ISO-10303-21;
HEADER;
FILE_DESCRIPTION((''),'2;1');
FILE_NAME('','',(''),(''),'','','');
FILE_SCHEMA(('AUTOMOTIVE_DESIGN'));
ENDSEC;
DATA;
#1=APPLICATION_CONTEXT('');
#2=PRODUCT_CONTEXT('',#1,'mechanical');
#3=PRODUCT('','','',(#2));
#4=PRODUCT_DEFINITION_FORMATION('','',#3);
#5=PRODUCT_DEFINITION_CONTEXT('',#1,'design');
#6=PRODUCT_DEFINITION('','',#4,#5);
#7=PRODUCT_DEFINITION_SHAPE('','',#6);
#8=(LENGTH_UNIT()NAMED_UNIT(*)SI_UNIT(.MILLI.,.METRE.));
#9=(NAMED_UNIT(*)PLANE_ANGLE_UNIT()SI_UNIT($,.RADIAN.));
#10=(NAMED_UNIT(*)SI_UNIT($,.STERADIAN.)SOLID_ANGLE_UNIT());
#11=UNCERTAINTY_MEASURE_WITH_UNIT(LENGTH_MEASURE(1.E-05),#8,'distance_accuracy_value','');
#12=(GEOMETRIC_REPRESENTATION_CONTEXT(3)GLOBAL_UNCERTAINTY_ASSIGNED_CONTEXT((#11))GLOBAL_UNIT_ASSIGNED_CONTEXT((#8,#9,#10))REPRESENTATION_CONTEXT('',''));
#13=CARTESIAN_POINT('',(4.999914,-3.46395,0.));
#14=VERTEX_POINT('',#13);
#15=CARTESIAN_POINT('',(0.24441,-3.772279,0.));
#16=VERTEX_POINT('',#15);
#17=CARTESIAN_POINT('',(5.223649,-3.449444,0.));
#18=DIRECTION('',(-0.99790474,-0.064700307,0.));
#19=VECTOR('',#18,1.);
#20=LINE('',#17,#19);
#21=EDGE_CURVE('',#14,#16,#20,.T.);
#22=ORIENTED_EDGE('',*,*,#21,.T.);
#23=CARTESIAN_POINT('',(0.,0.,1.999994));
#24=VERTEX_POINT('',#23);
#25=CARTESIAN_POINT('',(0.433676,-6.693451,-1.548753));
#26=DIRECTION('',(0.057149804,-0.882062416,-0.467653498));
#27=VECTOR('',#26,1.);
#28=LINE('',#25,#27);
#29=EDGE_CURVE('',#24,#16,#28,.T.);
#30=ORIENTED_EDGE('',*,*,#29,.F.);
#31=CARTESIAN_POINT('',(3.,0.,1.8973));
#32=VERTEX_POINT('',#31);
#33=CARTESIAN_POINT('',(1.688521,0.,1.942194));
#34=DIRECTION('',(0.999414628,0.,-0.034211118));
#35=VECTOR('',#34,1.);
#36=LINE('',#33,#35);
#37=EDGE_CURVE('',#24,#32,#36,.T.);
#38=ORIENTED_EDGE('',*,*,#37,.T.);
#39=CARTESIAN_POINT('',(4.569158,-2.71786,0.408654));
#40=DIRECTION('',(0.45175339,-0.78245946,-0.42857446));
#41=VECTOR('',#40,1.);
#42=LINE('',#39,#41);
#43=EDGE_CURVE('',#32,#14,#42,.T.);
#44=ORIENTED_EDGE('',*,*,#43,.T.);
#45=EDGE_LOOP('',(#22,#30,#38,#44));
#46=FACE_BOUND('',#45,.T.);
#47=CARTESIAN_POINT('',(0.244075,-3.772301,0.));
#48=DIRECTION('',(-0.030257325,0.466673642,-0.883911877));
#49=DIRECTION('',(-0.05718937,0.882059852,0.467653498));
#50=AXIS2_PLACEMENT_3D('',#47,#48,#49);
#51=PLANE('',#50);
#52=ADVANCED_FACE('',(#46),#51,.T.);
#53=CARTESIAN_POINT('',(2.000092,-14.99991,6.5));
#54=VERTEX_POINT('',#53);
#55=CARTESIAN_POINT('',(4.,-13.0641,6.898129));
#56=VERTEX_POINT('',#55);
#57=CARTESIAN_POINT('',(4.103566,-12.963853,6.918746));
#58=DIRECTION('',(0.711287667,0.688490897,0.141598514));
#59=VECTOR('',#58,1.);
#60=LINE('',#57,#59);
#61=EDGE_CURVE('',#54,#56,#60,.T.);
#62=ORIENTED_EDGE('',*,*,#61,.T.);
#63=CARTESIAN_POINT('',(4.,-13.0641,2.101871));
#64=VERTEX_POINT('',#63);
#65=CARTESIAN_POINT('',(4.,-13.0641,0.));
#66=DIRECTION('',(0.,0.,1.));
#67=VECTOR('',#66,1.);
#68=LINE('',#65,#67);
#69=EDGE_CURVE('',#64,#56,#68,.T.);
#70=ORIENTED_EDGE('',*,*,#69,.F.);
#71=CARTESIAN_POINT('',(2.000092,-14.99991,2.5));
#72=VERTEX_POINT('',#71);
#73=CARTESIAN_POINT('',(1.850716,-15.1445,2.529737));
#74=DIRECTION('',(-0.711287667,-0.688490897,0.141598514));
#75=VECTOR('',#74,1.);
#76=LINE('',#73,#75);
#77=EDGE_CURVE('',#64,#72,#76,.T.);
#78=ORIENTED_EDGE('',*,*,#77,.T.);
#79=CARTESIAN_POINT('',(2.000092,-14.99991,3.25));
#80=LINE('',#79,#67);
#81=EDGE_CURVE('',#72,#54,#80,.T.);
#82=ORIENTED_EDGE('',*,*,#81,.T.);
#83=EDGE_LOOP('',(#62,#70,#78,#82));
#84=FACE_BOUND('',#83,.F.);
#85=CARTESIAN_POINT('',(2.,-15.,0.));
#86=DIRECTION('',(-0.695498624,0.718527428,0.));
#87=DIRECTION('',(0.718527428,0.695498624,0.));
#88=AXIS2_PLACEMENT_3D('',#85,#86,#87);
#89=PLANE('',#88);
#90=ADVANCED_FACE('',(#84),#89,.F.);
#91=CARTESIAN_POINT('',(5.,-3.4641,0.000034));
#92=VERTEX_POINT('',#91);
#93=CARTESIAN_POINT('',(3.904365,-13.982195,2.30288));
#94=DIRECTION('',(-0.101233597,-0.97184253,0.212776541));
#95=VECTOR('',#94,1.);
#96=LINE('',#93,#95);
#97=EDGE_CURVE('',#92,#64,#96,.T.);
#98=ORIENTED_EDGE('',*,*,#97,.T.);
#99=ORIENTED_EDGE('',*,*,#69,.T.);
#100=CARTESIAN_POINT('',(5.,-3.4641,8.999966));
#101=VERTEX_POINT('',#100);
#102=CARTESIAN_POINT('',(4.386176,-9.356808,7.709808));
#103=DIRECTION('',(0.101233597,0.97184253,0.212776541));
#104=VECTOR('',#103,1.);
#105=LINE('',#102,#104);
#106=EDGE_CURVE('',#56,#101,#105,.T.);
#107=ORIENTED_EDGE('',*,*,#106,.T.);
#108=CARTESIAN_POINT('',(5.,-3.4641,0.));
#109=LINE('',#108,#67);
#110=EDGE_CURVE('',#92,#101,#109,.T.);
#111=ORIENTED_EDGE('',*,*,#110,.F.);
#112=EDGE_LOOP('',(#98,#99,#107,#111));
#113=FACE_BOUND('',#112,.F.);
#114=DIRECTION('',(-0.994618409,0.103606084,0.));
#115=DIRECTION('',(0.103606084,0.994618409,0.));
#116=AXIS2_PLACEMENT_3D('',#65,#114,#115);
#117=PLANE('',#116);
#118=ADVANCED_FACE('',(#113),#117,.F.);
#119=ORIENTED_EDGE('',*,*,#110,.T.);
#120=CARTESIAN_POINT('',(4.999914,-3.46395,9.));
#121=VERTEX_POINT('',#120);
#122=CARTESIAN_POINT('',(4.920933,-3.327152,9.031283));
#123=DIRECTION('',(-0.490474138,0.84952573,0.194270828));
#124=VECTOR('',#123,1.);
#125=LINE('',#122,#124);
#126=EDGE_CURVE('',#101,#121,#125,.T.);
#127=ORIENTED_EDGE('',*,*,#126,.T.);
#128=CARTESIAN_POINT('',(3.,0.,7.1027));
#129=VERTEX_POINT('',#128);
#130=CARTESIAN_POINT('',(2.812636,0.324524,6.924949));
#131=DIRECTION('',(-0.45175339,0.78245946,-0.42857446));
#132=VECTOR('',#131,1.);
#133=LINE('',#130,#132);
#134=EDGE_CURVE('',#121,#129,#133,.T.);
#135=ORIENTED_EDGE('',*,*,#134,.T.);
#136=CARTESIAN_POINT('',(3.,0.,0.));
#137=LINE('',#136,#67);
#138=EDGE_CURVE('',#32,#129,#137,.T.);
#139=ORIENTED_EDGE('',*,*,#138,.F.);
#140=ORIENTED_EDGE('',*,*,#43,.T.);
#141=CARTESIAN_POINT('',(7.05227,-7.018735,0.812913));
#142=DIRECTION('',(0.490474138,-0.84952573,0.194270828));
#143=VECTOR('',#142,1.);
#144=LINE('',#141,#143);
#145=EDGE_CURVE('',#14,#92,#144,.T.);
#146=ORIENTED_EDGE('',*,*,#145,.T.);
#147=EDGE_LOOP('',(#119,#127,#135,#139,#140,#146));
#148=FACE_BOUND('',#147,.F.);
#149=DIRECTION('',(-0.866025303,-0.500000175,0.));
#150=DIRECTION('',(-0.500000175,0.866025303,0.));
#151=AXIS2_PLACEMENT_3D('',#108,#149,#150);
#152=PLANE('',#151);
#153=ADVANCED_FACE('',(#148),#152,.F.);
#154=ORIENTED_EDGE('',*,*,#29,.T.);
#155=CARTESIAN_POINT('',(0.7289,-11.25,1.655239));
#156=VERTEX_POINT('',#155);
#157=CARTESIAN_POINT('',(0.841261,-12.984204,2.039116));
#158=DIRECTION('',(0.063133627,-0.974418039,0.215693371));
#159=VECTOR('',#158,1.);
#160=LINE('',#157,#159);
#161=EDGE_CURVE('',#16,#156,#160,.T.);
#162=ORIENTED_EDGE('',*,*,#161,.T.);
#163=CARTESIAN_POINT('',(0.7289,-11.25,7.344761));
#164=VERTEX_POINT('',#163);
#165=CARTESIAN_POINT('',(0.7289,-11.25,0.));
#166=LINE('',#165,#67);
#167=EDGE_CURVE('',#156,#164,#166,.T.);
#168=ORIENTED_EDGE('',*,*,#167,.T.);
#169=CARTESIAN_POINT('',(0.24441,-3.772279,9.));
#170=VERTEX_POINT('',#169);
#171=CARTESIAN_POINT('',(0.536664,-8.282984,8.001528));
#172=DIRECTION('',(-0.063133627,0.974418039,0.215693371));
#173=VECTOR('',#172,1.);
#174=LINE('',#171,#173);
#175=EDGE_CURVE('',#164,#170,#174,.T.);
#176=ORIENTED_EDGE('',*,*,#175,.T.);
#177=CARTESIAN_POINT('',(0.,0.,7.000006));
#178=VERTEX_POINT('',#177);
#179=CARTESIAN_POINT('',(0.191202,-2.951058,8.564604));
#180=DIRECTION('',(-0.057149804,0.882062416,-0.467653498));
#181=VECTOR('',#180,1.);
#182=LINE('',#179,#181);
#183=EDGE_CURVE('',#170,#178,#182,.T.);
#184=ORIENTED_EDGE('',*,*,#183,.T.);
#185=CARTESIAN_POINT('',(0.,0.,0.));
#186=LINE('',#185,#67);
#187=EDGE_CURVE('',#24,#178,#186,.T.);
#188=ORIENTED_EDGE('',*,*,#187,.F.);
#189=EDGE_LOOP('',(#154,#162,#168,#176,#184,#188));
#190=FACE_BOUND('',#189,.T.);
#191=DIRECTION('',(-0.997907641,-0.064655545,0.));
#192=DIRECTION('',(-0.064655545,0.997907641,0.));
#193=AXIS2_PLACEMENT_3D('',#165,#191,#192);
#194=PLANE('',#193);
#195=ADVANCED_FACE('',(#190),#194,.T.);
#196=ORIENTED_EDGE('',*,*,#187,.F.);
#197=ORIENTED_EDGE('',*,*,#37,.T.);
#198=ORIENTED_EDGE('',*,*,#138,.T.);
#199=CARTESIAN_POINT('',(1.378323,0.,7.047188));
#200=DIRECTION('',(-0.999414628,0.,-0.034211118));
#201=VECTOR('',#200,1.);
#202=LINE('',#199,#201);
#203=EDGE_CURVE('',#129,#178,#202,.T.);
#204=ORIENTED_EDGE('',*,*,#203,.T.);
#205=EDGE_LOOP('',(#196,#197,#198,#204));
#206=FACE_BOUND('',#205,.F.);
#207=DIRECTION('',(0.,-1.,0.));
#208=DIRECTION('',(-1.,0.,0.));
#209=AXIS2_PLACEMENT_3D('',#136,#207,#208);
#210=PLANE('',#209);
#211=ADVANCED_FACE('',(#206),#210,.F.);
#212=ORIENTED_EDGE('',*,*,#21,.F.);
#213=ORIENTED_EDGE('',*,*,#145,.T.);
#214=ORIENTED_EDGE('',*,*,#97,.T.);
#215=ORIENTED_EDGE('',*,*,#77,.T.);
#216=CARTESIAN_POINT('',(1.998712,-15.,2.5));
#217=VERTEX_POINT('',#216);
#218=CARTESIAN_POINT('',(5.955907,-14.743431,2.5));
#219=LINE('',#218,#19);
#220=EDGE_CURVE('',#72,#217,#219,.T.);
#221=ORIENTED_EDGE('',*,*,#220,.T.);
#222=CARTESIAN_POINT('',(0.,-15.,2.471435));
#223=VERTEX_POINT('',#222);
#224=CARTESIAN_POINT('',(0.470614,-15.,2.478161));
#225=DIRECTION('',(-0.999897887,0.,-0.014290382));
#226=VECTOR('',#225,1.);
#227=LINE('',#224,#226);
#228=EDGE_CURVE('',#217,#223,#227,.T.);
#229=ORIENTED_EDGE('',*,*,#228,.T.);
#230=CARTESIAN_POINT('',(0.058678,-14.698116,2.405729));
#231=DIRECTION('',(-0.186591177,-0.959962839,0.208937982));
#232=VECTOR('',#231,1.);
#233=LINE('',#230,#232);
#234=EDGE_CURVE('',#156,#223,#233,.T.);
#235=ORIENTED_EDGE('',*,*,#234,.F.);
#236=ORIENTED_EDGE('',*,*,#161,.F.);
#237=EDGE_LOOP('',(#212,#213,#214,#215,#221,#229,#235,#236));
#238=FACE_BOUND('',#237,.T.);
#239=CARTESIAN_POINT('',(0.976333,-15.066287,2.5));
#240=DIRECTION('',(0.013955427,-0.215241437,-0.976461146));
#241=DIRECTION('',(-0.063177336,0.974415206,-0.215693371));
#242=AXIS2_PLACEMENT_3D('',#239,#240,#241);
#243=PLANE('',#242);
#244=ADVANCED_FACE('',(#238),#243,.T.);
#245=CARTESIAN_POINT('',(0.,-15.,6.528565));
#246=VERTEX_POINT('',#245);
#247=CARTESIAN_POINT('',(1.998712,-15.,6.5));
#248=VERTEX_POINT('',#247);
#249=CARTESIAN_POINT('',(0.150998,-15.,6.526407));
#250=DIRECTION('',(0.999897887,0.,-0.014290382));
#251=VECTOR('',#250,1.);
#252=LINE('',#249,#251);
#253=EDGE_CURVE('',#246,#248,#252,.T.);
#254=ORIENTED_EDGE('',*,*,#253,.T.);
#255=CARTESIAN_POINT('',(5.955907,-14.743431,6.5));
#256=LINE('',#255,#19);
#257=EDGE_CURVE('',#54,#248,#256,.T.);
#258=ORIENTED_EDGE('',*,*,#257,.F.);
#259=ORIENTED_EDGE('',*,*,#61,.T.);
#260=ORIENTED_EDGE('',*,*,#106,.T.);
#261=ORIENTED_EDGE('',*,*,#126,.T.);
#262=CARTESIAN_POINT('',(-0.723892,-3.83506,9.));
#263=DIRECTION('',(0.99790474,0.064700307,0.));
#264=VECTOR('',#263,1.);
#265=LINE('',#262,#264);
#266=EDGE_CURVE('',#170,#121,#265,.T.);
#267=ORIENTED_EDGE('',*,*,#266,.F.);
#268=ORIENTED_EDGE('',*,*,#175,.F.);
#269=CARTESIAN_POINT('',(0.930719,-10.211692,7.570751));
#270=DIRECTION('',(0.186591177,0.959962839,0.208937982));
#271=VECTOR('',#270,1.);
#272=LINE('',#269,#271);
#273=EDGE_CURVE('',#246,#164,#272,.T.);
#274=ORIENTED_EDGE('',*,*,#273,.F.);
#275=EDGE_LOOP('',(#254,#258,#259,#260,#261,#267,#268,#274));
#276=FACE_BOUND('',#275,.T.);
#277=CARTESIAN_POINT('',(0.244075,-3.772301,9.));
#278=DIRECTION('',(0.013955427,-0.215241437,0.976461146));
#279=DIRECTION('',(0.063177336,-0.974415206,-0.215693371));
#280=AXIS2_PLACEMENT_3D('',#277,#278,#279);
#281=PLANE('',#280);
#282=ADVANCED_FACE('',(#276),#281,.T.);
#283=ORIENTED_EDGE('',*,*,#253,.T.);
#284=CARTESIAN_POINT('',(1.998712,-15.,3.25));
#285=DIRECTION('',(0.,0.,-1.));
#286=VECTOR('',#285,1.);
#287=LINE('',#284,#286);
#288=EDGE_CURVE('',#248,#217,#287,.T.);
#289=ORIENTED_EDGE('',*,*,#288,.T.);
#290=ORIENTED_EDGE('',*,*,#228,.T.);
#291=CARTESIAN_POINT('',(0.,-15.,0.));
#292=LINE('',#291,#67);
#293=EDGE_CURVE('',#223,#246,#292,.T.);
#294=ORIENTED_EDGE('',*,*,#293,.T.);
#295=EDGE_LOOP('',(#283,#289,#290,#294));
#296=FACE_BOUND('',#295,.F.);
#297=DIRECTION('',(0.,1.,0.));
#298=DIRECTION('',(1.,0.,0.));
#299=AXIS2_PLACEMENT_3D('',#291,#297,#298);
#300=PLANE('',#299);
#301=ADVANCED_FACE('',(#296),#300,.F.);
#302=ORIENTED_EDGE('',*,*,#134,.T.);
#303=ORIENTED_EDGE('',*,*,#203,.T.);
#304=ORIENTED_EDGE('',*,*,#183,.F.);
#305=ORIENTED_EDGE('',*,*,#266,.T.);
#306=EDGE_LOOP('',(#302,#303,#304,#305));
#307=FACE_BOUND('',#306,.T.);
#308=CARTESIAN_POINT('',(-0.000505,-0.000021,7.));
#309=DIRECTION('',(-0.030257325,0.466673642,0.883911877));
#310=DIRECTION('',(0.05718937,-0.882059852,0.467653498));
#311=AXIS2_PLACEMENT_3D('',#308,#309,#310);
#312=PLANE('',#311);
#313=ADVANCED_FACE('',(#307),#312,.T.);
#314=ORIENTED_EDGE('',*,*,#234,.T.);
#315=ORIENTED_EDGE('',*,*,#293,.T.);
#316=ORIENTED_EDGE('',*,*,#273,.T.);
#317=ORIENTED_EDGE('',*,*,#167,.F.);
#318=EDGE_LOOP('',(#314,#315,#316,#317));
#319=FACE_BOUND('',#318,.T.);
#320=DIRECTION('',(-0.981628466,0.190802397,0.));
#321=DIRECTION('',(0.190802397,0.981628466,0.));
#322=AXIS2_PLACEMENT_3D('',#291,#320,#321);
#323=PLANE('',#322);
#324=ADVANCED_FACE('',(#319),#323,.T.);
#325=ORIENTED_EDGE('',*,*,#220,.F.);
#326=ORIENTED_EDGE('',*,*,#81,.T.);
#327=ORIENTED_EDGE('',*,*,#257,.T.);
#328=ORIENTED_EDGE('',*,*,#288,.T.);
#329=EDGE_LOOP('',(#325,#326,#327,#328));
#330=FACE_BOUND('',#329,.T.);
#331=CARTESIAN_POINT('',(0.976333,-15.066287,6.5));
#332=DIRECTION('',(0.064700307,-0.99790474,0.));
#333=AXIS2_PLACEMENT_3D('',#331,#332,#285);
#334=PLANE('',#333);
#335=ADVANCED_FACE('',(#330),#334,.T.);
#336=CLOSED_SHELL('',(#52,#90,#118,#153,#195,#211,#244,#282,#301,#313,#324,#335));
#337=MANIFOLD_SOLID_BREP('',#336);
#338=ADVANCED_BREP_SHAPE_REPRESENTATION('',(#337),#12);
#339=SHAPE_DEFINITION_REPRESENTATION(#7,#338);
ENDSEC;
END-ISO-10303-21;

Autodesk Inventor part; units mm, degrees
ref_plane "YZ Plane" through (0, 0, 0) normal (1, 0, 0) x (0, 1, 0)
ref_plane "XZ Plane" through (0, 0, 0) normal (0, 1, 0) x (-1, 0, 0)
ref_plane "XY Plane" through (0, 0, 0) normal (0, 0, 1) x (1, 0, 0)
sketch "Base" plane through (0, 0, 0) normal (0, 0, 1) x (1, 0, 0)
  line L0 (0, 0) -> (0, -15) construction
  line L1 (0, -15) -> (2, -15)
  line L2 (2, -15) -> (4, -13.0641)
  line L3 (5, -3.4641) -> (3, 0)
  line L4 (3, 0) -> (0, 0)
  line L5 (4, -13.0641) -> (5, -3.4641)
  line L6 (0, -15) -> (0.7289, -11.25)
  line L7 (0.7289, -11.25) -> (0, 0)
  dimension "d0" = 15
  dimension "d1" = 3
  dimension "d2" = 2
  dimension "d3" = 5
  dimension "d8" = 4
  dimension "d12" = 120
  dimension "d14" = 9.6
  dimension "d23" = 11.25
  dimension "d24" = 79
extrude "BaseFeature" add sketch "Base" along normal blind 9
sketch "TopProfile" plane through (0.7289, -11.25, 0) normal (-0.9979, -0.0647, 0) x (0, 0, 1)
  line L0 (0, 7.4934) -> (9, 7.4934) projected
  line L1 (2, 11.2736) -> (7, 11.2736)
  line L2 (7, 11.2736) -> (9, 7.4934)
  line L3 (9, 7.4934) -> (6.5, -3.8243)
  line L4 (6.5, -3.8243) -> (2.5, -3.8243)
  line L5 (2.5, -3.8243) -> (0, 7.4934)
  line L6 (0, 7.4934) -> (2, 11.2736)
  line L7 (0, 11.2736) -> (9, 11.2736) projected
  line L8 (0, -3.8243) -> (9, -3.8243) projected
  point P0 (4.5, 11.2736)
  point P1 (4.5, -3.8243)
  dimension "d27" = 5
  dimension "d28" = 4
extrude "TopProfileFeature" cut sketch "TopProfile" along normal through all both and the other way through all keep common part
equation "\"d14\" = 0.64 * d0"
equation "\"d23\" = 0.75 * d0"
properties part number "DistalPhalangeIndexMiddle"
